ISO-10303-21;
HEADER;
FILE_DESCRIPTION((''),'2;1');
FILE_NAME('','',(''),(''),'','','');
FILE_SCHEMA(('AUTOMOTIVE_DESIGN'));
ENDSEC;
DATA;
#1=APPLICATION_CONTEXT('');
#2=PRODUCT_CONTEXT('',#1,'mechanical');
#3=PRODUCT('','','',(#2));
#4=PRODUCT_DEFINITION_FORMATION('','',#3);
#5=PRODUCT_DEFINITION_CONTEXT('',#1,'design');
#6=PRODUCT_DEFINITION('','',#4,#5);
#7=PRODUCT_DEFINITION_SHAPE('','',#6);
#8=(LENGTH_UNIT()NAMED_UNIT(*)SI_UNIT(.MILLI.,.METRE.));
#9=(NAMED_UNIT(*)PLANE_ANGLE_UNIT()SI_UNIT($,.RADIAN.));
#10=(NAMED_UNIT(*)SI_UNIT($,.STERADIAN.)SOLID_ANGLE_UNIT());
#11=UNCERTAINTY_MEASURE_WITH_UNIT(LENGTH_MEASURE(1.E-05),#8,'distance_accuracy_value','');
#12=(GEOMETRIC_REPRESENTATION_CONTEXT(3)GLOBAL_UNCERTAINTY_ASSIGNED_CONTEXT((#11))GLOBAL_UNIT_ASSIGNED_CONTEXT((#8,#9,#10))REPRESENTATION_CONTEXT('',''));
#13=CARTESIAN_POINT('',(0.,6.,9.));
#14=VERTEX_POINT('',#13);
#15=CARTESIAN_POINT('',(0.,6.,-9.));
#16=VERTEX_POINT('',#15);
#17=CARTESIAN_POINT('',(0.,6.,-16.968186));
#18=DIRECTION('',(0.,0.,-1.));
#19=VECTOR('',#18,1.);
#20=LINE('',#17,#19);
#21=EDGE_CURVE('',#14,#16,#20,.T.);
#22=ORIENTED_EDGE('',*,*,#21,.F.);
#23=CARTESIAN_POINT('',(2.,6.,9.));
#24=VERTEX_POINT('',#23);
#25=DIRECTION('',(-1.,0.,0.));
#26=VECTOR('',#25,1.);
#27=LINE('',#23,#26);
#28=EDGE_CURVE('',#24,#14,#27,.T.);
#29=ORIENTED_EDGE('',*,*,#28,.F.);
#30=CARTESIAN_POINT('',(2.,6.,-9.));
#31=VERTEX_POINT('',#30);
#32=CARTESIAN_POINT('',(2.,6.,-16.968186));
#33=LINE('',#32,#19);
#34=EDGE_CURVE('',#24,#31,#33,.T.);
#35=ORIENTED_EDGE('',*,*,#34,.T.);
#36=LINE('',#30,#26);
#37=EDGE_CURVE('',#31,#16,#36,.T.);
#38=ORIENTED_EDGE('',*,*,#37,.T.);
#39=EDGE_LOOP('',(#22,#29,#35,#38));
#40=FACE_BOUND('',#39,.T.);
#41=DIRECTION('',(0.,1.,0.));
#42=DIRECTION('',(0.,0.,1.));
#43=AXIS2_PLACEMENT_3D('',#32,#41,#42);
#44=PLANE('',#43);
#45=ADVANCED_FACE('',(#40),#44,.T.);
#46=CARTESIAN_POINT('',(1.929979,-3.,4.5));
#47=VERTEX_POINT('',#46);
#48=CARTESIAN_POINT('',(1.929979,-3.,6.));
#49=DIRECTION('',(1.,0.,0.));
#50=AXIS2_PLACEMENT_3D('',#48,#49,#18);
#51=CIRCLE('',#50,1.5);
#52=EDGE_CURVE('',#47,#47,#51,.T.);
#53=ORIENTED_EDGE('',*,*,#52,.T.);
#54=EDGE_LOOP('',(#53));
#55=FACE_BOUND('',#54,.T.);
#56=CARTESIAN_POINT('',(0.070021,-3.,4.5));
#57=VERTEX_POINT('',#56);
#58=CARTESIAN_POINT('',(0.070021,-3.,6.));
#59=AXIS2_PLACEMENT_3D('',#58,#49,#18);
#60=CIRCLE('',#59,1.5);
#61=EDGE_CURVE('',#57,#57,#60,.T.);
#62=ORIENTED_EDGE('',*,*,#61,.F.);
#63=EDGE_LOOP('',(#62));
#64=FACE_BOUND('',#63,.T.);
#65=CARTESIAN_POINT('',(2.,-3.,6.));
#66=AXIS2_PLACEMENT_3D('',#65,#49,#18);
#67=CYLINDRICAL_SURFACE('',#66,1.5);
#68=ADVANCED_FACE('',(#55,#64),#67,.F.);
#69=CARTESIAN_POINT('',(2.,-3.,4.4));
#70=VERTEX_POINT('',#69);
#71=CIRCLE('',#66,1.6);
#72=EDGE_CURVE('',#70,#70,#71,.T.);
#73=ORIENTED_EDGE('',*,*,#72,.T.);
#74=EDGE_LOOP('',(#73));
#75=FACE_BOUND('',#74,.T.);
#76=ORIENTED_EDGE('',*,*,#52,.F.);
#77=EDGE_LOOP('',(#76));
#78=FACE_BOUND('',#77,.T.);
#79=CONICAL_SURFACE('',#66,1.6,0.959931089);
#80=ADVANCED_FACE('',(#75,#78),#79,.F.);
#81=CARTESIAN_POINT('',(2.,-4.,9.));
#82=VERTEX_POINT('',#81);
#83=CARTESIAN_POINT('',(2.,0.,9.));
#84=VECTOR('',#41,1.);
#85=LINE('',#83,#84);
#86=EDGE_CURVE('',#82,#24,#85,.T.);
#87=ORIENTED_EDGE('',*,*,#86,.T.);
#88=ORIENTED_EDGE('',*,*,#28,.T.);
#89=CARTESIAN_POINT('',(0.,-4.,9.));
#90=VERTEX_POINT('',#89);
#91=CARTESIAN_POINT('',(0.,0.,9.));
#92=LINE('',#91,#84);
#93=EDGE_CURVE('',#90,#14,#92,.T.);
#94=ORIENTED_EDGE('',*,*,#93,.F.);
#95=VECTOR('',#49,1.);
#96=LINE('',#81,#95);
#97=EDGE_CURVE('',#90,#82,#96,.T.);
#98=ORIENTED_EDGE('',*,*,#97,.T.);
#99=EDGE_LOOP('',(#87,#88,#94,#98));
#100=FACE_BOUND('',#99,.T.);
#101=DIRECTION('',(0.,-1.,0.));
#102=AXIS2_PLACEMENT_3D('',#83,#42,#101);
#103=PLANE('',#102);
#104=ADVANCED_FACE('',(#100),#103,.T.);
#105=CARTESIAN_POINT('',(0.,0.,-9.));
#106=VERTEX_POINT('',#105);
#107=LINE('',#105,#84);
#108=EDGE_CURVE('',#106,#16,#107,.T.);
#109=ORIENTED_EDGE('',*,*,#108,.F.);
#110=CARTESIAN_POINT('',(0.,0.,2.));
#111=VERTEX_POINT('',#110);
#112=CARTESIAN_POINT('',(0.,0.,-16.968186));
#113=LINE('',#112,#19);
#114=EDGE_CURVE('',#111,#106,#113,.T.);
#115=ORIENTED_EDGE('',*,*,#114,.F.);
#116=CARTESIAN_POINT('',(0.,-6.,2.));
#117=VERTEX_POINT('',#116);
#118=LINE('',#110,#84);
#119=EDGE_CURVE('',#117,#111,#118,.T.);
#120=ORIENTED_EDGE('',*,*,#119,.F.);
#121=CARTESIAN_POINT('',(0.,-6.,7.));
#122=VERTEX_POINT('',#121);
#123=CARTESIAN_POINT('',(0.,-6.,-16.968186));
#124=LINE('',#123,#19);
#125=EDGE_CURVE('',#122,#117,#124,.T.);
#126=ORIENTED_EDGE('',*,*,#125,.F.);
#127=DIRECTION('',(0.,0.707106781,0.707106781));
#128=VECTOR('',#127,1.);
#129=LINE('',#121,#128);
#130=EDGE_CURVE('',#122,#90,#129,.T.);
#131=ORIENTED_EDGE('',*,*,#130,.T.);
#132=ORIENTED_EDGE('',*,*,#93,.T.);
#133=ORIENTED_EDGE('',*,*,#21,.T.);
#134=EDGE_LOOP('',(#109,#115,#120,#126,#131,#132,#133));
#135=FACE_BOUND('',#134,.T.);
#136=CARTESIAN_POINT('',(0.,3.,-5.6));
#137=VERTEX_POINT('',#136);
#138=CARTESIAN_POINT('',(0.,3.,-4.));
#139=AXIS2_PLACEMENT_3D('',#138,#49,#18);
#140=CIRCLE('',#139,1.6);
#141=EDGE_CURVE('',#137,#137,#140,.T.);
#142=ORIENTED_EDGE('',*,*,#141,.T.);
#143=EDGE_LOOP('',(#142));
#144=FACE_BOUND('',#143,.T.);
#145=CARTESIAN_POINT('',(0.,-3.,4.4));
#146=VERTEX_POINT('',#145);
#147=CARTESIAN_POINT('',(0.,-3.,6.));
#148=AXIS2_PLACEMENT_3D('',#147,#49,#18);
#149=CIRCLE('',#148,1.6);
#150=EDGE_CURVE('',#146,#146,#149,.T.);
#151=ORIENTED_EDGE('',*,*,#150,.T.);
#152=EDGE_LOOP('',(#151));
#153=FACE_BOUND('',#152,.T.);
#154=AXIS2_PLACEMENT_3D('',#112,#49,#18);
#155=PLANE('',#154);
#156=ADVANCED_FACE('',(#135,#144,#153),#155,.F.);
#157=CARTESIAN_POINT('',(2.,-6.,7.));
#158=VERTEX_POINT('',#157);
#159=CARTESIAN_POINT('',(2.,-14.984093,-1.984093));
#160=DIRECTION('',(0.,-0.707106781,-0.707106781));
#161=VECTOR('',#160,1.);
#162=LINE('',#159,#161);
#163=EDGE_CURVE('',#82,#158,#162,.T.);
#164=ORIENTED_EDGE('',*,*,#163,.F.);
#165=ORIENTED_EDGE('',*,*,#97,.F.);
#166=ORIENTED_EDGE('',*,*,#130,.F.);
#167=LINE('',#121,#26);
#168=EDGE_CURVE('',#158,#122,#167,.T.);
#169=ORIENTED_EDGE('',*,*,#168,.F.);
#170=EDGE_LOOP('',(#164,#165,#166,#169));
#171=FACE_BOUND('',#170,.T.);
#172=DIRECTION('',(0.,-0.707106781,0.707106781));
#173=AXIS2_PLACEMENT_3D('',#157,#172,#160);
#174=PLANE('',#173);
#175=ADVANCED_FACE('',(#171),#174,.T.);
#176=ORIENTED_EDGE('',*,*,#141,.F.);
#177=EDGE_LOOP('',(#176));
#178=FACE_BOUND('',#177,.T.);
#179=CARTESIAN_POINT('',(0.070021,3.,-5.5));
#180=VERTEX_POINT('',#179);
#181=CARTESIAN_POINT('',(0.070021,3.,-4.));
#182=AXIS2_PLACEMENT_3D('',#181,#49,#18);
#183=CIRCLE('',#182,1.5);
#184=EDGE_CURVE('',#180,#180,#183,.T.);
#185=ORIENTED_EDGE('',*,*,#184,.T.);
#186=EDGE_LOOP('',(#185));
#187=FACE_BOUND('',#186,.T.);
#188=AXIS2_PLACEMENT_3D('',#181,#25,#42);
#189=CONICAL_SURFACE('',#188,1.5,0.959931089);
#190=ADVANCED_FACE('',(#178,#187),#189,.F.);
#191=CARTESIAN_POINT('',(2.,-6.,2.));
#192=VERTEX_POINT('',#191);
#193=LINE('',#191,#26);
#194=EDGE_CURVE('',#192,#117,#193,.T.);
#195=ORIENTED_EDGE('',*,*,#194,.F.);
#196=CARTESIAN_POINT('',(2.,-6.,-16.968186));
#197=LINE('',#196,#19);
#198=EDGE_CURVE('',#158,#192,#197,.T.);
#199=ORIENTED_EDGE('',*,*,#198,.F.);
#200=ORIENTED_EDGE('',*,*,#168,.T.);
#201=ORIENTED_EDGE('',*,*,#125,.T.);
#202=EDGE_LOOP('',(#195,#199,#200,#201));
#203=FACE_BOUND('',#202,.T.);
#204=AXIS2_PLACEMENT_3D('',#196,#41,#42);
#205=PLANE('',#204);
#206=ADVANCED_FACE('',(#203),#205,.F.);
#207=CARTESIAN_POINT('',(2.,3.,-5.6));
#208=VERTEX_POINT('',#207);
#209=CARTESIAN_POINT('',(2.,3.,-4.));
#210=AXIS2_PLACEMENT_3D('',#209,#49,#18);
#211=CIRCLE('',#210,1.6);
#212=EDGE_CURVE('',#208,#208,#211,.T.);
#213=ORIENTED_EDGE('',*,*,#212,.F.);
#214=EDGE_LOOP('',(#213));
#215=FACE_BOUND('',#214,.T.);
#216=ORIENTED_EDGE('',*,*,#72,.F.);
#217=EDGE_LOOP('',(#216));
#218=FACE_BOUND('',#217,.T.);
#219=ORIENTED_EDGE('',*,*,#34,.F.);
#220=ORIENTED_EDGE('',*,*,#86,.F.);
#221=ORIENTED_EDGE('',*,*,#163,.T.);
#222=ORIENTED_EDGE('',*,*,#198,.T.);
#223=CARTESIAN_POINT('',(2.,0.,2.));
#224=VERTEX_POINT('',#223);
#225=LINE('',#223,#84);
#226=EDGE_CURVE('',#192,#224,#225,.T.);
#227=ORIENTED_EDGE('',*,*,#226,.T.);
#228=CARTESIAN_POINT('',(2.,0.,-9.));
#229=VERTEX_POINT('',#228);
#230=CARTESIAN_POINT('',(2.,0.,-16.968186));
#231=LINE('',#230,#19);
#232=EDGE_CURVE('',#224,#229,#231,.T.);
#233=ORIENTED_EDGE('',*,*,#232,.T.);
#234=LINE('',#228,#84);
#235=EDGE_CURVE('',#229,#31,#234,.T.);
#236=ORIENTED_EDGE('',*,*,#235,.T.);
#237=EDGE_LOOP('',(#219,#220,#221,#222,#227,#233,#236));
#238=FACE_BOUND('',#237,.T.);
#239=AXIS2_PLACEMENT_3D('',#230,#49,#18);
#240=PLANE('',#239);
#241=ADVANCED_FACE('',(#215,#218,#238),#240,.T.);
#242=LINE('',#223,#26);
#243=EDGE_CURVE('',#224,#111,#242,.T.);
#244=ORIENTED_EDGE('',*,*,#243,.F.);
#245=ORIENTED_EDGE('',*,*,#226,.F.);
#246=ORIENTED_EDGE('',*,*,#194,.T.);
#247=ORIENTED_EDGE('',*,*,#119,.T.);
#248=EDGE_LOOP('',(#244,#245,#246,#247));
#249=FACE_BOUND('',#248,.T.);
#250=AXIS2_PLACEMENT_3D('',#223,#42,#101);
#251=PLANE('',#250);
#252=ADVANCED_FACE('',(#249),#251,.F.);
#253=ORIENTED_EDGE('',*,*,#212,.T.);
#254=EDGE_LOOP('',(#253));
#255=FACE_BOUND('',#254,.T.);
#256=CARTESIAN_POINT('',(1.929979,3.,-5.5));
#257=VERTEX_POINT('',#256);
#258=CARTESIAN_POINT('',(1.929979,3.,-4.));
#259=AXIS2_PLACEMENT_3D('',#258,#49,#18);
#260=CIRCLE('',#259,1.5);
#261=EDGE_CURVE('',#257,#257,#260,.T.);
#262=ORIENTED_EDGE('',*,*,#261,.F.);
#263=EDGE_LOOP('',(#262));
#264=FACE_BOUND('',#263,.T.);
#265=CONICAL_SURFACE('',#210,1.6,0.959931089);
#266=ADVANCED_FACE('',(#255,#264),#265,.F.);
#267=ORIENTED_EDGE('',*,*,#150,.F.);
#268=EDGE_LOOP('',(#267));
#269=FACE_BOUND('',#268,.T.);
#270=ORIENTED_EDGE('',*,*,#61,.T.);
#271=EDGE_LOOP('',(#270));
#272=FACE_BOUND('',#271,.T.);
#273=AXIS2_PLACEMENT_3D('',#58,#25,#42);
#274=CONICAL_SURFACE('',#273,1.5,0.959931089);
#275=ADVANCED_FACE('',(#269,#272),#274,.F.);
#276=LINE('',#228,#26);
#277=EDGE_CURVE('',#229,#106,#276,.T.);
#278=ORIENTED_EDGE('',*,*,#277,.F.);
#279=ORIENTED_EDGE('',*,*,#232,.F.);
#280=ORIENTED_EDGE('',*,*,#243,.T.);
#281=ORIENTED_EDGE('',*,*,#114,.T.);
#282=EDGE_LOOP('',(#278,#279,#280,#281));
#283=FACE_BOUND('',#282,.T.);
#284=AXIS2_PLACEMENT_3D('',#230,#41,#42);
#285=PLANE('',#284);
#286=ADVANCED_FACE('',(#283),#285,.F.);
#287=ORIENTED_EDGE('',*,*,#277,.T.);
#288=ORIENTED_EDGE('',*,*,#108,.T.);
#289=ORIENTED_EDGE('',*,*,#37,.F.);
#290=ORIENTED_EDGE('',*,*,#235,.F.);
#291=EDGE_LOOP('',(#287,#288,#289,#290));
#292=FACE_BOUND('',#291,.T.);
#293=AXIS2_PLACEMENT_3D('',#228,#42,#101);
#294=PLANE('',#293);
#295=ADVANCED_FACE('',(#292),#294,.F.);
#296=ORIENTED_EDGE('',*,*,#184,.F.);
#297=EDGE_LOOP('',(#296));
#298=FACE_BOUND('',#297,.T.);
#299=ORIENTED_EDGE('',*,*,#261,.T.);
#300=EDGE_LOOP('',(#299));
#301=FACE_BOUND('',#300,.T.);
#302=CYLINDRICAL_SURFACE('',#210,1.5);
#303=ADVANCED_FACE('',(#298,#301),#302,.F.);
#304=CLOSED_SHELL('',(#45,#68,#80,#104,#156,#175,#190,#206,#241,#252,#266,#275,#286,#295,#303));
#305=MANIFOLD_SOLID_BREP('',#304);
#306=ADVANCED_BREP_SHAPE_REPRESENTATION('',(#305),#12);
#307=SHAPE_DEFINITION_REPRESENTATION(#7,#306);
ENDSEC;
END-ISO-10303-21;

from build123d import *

# Parameters (mm, degrees)
EXTRUDE_1_DEPTH            = 2
HOLE_WIZARD_M31_AT_2_COUNT = 2
HOLE_WIZARD_M31_AT_2_PITCH = 11.66190379
CHAMFER_2_SIZE             = 2


with BuildPart() as part:
    # Эскиз1 → Бобышка-Вытянуть1 (new body)
    with BuildSketch(Plane(origin=(0, 0, 0), x_dir=(0, 0, -1), z_dir=(1, 0, 0))):
        Polygon((-9, -6), (-2, -6), (-2, 0), (9, 0), (9, 6), (-9, 6), align=None)
    extrude(amount=EXTRUDE_1_DEPTH)

    # Эскиз2 → Отверстие обработанное метчиком M31 (revolve, cut)
    with BuildSketch(Plane(origin=(2, 3, -4), x_dir=(0, 0, -1), z_dir=(0, 1, 0))):
        Polygon((0, 0), (0, 2), (1.6, 2), (1.5, 1.929979246), (1.5, 0.070020754), (1.6, 0), align=None)
    hole_wizard_m31 = revolve(axis=Axis((8.35, 3, -4), (-1, 0, 0)), mode=Mode.SUBTRACT)

    # Отверстие обработанное метчиком M31 at 2: Отверстие обработанное метчиком M31 ×2
    with Locations(*[Vector(0, -0.514495755, 0.857492926) * (i * HOLE_WIZARD_M31_AT_2_PITCH) for i in range(1, HOLE_WIZARD_M31_AT_2_COUNT)]):
        add(hole_wizard_m31, mode=Mode.SUBTRACT)

    # Фаска2
    chamfer_2_edges = [part.edges().sort_by_distance(p)[0] for p in [
        (1, -6, 9),
    ]]
    chamfer(chamfer_2_edges, length=CHAMFER_2_SIZE)


solid = part.part
